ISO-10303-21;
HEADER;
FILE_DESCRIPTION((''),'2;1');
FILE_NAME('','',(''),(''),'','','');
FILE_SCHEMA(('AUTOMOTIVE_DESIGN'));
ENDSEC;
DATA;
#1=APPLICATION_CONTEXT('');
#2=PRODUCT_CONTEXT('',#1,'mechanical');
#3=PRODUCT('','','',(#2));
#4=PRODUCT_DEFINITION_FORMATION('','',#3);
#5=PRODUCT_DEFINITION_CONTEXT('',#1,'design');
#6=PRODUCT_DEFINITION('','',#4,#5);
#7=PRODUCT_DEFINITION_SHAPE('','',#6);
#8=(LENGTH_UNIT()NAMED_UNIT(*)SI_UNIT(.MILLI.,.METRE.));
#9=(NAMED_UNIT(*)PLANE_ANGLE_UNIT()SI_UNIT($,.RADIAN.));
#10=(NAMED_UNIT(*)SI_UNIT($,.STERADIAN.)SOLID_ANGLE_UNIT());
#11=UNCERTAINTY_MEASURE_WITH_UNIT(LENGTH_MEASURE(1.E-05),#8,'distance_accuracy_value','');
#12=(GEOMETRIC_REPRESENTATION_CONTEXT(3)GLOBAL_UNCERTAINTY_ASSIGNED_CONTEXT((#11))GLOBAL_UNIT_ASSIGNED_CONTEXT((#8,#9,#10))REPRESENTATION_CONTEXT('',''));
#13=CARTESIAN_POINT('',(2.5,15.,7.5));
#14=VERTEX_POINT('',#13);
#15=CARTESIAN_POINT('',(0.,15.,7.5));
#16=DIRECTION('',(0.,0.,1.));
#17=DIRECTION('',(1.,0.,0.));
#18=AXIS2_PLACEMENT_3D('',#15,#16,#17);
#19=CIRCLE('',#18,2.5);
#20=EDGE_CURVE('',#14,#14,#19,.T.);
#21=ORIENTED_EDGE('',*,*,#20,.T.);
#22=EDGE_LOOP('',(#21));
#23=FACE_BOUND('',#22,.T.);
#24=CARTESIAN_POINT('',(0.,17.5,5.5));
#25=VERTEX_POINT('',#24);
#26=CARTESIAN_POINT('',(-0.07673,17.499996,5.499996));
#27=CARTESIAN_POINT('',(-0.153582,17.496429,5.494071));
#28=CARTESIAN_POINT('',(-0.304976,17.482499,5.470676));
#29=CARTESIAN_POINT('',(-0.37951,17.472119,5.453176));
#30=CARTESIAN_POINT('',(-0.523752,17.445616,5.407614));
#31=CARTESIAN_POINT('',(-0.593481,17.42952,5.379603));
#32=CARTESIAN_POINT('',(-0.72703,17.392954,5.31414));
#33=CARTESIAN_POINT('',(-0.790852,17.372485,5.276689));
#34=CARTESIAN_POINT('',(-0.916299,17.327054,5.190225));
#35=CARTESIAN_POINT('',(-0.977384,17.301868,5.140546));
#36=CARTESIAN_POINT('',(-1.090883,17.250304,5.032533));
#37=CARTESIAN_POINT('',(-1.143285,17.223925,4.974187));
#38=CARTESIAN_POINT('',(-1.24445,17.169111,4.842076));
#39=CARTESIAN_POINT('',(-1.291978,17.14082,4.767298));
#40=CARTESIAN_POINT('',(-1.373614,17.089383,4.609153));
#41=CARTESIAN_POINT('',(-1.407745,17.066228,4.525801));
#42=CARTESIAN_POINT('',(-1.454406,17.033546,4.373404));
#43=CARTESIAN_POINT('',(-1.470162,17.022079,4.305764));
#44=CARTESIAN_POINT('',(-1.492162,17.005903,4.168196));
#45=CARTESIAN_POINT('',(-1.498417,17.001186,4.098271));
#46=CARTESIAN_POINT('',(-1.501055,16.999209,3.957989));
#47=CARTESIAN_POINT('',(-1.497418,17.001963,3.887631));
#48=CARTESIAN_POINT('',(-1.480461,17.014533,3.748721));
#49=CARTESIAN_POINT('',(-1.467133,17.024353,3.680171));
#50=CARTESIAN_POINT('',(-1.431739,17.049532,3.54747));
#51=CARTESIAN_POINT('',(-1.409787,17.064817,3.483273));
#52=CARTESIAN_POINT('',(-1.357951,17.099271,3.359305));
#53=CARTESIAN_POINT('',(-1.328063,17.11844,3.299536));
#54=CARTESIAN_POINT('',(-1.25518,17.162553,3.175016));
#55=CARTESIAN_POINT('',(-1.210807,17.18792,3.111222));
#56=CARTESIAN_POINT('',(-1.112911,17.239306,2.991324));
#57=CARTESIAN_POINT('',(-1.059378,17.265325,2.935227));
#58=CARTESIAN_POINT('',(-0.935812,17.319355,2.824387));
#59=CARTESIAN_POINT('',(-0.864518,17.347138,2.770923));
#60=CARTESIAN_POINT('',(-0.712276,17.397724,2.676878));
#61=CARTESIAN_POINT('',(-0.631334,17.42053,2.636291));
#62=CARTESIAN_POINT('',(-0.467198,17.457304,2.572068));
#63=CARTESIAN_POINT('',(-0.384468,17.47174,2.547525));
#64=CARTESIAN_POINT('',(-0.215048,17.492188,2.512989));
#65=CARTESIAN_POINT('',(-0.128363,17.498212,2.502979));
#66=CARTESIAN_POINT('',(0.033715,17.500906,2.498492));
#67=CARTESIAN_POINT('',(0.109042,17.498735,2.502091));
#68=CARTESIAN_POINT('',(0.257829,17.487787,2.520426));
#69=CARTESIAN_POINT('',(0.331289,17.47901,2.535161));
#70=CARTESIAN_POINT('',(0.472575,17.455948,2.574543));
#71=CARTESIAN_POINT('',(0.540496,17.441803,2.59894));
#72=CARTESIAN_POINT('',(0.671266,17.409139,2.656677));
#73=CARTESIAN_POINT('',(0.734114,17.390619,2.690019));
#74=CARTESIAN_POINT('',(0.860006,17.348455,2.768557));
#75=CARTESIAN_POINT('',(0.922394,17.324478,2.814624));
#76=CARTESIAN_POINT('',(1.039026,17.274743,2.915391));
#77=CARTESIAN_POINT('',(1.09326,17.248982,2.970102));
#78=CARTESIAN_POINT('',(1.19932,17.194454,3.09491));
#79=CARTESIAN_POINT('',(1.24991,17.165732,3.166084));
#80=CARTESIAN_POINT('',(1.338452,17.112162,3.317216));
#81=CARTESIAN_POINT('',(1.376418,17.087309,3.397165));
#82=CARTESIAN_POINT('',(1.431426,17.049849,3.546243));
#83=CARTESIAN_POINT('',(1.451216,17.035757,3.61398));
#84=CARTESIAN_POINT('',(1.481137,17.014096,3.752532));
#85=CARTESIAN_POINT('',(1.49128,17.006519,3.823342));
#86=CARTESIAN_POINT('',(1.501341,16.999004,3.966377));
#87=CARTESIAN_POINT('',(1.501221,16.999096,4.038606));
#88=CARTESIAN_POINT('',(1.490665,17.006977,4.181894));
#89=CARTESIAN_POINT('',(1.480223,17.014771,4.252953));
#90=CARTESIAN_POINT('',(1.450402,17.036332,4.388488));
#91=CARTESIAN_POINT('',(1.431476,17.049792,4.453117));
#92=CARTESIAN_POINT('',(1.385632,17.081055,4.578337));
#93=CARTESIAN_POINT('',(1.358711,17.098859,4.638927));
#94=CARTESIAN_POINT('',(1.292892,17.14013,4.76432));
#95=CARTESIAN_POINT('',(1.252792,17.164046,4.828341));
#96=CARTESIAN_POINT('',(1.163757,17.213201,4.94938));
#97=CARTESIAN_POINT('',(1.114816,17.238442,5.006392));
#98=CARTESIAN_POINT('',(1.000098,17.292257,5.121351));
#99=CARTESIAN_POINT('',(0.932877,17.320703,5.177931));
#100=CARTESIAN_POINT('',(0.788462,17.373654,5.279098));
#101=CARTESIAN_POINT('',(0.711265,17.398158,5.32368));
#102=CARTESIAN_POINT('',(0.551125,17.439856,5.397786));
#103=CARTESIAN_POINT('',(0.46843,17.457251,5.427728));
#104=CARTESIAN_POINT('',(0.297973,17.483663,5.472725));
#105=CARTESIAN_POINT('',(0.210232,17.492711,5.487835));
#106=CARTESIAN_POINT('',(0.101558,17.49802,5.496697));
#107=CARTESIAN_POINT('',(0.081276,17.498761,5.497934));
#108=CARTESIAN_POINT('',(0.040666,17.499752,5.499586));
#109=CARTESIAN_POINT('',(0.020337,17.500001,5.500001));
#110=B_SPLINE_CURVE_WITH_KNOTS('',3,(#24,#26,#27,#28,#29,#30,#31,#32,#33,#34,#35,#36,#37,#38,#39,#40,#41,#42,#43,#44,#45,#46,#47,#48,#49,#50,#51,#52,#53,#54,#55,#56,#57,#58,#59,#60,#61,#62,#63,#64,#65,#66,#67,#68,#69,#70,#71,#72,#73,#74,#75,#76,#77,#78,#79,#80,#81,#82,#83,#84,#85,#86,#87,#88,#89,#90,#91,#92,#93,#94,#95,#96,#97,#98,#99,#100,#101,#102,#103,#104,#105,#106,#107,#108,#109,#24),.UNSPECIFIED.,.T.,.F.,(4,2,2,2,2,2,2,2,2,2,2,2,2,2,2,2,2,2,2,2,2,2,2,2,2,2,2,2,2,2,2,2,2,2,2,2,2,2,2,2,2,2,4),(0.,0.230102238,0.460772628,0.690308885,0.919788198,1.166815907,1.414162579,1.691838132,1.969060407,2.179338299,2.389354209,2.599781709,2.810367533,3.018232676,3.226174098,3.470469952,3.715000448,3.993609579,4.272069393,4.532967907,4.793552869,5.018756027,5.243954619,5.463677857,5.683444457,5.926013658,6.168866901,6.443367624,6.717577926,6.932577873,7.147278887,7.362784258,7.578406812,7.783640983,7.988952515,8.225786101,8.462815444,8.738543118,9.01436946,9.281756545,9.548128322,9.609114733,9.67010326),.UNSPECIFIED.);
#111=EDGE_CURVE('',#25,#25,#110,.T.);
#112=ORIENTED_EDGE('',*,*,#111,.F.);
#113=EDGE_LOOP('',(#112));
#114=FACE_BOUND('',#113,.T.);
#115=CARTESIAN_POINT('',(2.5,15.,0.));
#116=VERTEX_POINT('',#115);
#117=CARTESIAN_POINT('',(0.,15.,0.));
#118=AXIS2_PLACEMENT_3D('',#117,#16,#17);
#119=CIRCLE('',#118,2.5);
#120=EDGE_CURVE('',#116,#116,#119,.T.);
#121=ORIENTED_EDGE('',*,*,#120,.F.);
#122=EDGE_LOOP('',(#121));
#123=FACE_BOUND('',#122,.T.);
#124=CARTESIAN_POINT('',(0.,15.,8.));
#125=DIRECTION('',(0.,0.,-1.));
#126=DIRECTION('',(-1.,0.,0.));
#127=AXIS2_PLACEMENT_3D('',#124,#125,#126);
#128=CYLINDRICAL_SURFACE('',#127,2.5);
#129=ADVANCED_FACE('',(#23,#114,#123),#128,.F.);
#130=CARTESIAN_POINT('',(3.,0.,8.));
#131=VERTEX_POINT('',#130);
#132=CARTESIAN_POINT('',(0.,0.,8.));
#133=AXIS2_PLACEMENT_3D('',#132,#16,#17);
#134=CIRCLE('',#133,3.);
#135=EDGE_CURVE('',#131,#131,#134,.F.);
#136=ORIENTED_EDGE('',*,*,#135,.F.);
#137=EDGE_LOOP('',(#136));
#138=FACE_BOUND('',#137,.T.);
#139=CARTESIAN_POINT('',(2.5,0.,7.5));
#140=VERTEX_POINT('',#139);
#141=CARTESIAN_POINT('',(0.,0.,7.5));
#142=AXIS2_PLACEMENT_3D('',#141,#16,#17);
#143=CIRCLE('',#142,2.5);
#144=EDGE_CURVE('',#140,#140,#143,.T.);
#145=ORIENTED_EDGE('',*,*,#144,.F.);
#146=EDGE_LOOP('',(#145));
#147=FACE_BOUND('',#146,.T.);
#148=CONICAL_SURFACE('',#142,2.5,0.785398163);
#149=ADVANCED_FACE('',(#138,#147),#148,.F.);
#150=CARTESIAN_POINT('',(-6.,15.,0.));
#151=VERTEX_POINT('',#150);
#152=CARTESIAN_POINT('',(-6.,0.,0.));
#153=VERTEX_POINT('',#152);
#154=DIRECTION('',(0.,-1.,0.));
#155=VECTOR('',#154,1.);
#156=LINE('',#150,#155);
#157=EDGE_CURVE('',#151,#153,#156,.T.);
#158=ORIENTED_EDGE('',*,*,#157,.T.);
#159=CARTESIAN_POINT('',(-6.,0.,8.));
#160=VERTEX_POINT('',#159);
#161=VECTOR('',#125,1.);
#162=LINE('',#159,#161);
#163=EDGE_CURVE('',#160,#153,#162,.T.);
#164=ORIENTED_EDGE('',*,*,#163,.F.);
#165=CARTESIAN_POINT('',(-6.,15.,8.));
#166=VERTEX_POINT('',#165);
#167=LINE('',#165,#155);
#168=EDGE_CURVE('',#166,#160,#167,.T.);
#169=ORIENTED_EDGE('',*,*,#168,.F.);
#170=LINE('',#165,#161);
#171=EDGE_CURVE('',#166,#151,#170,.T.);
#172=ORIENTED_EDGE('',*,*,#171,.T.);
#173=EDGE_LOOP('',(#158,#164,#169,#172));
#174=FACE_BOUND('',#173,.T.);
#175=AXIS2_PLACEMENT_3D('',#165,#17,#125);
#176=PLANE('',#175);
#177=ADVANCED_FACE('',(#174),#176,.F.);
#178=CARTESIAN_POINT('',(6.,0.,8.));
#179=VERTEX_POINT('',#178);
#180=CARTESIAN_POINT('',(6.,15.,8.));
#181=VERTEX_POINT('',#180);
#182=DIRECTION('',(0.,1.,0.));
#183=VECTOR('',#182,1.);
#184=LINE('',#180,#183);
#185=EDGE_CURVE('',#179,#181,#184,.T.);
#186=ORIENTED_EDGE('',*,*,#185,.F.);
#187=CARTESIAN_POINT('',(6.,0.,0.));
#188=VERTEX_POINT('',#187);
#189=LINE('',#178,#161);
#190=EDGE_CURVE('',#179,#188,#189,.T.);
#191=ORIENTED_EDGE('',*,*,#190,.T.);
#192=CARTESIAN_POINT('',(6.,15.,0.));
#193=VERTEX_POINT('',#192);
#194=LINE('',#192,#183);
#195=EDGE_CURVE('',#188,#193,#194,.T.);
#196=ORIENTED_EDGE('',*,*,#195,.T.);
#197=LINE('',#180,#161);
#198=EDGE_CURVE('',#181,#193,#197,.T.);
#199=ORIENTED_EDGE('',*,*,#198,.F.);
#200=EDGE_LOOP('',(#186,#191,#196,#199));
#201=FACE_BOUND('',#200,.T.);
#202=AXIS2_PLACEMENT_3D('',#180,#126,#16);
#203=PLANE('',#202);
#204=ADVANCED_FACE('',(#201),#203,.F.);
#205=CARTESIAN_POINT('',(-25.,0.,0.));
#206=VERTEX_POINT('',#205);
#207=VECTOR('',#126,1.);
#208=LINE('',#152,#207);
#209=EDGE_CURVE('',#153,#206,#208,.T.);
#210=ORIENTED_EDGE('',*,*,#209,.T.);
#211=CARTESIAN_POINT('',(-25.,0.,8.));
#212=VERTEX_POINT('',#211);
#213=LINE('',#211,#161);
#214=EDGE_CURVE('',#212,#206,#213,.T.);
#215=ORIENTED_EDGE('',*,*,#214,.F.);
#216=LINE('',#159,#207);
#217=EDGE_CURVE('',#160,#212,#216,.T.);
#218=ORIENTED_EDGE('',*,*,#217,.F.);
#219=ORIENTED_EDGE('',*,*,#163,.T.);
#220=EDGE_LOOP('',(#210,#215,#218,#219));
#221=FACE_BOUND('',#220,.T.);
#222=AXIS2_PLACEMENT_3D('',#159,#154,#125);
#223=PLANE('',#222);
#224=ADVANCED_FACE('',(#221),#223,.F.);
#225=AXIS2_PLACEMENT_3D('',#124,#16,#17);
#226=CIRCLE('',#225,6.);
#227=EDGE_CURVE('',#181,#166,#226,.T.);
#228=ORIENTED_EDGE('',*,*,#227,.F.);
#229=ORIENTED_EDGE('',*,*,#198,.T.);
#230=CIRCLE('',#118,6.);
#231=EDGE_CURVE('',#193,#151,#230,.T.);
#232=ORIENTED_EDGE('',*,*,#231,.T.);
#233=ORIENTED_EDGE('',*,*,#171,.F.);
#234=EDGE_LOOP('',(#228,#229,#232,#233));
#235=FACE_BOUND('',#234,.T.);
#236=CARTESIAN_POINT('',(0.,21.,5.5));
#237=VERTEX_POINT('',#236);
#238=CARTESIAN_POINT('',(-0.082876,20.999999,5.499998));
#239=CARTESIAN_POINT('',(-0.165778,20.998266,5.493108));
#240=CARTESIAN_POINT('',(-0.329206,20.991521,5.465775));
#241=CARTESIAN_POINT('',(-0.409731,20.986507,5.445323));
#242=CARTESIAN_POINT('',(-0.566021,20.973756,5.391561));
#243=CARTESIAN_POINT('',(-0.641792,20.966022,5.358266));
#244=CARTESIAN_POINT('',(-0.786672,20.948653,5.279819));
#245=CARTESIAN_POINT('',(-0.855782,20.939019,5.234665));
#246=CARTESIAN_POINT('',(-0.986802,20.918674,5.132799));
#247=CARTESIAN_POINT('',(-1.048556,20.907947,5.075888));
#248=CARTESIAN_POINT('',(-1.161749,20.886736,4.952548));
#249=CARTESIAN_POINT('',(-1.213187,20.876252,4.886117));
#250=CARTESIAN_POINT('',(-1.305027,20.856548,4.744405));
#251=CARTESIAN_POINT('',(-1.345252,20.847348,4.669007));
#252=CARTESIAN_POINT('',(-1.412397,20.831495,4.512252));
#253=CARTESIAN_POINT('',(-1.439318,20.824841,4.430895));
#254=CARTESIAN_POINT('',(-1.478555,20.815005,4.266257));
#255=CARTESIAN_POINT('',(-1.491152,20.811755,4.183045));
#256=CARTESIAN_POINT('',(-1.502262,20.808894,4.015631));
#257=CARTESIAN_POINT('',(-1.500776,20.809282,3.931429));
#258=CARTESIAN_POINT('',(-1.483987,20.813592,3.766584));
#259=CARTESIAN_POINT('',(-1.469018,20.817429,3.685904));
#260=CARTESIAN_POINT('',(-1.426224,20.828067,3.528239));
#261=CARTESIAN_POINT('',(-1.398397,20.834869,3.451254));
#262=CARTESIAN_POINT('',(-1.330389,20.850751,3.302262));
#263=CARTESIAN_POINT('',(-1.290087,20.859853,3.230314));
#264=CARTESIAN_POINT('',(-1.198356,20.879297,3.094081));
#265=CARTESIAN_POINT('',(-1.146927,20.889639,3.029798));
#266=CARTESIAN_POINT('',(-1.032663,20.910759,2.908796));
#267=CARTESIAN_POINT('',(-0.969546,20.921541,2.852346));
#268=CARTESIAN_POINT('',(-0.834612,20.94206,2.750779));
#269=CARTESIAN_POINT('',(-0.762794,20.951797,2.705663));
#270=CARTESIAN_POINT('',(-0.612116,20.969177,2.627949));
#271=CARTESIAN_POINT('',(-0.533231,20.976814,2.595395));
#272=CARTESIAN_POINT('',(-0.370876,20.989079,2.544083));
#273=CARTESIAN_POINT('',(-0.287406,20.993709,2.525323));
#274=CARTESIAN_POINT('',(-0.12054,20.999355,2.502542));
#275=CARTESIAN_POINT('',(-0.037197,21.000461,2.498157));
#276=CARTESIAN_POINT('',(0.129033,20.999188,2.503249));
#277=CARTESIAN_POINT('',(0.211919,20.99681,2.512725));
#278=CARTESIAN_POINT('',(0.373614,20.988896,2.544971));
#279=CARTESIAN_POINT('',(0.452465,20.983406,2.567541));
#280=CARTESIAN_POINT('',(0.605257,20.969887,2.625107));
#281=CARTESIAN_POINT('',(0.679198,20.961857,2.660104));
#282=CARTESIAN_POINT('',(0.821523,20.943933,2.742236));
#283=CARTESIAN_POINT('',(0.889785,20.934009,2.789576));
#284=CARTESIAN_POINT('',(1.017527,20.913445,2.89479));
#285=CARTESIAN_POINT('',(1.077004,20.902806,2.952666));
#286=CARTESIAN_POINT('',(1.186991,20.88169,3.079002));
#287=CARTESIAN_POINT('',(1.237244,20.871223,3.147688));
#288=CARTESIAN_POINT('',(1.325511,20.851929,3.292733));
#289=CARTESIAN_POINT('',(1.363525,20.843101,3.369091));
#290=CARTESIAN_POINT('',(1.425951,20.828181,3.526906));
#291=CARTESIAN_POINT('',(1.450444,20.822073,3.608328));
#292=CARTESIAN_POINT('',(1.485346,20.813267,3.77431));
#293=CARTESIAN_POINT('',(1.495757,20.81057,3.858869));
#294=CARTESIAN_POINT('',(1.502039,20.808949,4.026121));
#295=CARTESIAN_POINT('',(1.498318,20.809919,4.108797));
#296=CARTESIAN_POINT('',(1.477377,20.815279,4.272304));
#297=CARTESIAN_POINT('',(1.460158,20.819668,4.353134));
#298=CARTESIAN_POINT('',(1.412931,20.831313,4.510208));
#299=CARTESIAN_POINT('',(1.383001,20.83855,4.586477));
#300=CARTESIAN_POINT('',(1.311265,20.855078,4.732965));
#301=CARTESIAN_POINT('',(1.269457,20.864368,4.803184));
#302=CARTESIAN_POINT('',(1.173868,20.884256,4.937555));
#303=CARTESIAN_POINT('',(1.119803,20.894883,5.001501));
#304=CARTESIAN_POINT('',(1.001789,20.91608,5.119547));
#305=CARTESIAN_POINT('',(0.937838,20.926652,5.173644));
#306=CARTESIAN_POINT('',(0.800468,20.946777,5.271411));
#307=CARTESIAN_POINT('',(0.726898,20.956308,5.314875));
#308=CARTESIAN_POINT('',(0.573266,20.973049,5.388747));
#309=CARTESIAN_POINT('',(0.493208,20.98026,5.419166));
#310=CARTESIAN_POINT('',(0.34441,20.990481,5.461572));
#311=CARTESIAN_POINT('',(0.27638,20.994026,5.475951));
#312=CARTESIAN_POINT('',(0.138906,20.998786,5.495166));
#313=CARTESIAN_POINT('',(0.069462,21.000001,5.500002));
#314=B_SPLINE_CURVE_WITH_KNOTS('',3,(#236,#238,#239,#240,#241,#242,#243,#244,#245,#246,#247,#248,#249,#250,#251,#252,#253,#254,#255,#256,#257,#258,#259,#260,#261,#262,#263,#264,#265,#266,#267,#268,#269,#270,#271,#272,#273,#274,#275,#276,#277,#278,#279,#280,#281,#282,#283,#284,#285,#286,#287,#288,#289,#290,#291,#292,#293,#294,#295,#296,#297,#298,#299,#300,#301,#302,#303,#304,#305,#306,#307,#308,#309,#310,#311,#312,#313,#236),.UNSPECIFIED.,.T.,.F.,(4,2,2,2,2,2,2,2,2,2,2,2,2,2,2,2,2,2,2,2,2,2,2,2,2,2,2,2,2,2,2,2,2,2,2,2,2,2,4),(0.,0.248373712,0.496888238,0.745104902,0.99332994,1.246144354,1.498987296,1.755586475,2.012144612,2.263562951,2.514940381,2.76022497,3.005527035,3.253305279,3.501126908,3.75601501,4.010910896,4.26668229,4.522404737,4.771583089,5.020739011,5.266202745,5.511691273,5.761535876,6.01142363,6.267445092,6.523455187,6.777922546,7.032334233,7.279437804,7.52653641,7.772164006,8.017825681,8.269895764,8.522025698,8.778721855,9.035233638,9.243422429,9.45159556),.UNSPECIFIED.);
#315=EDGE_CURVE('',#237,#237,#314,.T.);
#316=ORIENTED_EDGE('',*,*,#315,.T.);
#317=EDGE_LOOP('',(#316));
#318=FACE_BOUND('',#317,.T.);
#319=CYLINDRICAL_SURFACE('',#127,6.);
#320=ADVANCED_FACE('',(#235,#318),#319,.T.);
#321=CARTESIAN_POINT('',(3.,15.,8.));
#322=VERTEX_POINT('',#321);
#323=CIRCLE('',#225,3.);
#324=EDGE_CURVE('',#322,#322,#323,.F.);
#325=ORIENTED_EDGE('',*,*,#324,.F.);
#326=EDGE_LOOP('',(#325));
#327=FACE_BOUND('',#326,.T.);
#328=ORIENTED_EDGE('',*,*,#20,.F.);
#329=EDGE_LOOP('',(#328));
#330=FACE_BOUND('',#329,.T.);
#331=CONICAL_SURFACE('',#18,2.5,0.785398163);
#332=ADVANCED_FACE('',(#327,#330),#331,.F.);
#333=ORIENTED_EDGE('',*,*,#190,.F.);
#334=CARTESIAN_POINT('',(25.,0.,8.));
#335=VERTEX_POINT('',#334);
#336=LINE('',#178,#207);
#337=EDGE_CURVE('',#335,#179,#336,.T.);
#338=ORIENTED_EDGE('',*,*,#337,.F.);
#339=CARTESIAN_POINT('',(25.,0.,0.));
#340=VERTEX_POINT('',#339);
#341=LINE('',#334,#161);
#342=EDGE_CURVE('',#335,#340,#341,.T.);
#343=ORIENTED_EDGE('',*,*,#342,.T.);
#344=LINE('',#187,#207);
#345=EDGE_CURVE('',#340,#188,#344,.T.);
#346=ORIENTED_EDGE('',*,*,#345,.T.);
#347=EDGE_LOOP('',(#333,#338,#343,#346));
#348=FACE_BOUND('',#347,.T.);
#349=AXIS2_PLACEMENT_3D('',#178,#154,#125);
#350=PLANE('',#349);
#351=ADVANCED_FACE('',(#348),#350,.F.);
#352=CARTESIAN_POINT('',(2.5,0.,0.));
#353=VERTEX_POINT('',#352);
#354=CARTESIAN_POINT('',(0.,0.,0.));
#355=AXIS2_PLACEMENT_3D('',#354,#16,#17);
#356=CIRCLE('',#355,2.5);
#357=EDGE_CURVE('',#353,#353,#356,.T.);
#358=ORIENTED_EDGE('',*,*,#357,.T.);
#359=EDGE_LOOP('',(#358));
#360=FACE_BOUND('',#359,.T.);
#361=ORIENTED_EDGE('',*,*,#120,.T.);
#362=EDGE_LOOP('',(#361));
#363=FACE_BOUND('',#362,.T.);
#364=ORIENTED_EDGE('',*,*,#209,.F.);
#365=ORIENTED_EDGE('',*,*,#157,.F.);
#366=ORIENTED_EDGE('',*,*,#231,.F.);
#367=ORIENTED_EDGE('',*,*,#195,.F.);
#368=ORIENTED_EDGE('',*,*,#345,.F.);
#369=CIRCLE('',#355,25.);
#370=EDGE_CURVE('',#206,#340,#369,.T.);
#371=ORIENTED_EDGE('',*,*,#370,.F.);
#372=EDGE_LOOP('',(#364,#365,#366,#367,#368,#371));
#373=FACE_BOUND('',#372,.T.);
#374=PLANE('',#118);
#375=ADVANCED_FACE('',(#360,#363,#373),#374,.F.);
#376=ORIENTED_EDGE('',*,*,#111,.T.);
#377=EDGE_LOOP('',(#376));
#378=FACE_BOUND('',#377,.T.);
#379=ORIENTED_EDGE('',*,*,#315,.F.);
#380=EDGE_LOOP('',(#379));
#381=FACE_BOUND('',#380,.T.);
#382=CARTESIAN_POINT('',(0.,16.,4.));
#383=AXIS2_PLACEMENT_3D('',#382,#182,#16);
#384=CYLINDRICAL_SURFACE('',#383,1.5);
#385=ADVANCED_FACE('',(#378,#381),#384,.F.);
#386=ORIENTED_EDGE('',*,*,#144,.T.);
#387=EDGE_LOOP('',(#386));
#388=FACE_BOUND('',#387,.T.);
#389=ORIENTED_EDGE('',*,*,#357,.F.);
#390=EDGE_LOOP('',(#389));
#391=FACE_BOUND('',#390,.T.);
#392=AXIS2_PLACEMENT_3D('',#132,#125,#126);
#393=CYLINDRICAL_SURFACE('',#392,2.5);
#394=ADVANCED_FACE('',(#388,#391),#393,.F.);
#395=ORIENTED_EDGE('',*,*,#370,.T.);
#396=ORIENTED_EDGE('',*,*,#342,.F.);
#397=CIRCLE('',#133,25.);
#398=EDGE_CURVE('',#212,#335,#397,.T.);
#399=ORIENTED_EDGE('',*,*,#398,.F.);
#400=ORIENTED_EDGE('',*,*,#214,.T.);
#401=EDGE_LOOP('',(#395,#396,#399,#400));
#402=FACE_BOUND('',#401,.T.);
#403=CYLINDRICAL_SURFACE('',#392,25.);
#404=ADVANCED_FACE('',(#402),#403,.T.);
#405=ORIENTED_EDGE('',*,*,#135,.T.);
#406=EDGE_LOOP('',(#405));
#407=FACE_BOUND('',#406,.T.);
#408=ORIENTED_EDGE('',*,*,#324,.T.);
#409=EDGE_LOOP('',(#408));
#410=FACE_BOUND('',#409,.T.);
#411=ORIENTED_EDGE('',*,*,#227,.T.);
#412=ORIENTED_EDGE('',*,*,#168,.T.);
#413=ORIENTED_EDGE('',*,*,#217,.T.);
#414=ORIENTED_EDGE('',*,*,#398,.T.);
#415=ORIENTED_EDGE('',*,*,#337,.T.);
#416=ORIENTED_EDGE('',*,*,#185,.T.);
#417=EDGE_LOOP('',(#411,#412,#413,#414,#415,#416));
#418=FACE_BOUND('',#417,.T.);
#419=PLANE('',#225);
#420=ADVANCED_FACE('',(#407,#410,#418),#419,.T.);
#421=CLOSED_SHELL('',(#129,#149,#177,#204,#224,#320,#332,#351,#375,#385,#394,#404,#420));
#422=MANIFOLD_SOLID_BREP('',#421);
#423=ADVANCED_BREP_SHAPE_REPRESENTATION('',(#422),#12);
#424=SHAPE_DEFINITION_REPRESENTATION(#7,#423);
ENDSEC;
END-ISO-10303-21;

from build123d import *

# Parameters (mm, degrees)
SKETCH1_R           = 2.5
BOSS_EXTRUDE1_DEPTH = 8
CHAMFER1_SIZE       = 0.5
SKETCH2_R           = 1.5
CUT_EXTRUDE1_DEPTH  = 5


with BuildPart() as part:
    # Sketch1 → Boss-Extrude1 (new body)
    with BuildSketch(Plane.XY):
        with BuildLine():
            Line((-6, 15), (-6, 0))
            Line((-6, 0), (-25, 0))
            ThreePointArc((-25, 0), (0, -25), (25, 0))
            Line((25, 0), (6, 0))
            Line((6, 0), (6, 15))
            ThreePointArc((6, 15), (0, 21), (-6, 15))
        make_face()
        with Locations((0, 15)):
            Circle(SKETCH1_R, mode=Mode.SUBTRACT)
        Circle(SKETCH1_R, mode=Mode.SUBTRACT)
    extrude(amount=BOSS_EXTRUDE1_DEPTH)

    # Chamfer1
    chamfer1_edges = [part.edges().sort_by_distance(p)[0] for p in [
        (-2.5, 15, 8),
        (-2.5, 0, 8),
    ]]
    chamfer(chamfer1_edges, length=CHAMFER1_SIZE)

    # Sketch2 → Cut-Extrude1 (cut)
    with BuildSketch(Plane(origin=(0, 21, 0), x_dir=(1, 0, 0), z_dir=(0, 1, 0))):
        with Locations(Location((0, -4, 0), (0, 0, 270))):
            Circle(SKETCH2_R)
    extrude(amount=-CUT_EXTRUDE1_DEPTH, mode=Mode.SUBTRACT)


solid = part.part
